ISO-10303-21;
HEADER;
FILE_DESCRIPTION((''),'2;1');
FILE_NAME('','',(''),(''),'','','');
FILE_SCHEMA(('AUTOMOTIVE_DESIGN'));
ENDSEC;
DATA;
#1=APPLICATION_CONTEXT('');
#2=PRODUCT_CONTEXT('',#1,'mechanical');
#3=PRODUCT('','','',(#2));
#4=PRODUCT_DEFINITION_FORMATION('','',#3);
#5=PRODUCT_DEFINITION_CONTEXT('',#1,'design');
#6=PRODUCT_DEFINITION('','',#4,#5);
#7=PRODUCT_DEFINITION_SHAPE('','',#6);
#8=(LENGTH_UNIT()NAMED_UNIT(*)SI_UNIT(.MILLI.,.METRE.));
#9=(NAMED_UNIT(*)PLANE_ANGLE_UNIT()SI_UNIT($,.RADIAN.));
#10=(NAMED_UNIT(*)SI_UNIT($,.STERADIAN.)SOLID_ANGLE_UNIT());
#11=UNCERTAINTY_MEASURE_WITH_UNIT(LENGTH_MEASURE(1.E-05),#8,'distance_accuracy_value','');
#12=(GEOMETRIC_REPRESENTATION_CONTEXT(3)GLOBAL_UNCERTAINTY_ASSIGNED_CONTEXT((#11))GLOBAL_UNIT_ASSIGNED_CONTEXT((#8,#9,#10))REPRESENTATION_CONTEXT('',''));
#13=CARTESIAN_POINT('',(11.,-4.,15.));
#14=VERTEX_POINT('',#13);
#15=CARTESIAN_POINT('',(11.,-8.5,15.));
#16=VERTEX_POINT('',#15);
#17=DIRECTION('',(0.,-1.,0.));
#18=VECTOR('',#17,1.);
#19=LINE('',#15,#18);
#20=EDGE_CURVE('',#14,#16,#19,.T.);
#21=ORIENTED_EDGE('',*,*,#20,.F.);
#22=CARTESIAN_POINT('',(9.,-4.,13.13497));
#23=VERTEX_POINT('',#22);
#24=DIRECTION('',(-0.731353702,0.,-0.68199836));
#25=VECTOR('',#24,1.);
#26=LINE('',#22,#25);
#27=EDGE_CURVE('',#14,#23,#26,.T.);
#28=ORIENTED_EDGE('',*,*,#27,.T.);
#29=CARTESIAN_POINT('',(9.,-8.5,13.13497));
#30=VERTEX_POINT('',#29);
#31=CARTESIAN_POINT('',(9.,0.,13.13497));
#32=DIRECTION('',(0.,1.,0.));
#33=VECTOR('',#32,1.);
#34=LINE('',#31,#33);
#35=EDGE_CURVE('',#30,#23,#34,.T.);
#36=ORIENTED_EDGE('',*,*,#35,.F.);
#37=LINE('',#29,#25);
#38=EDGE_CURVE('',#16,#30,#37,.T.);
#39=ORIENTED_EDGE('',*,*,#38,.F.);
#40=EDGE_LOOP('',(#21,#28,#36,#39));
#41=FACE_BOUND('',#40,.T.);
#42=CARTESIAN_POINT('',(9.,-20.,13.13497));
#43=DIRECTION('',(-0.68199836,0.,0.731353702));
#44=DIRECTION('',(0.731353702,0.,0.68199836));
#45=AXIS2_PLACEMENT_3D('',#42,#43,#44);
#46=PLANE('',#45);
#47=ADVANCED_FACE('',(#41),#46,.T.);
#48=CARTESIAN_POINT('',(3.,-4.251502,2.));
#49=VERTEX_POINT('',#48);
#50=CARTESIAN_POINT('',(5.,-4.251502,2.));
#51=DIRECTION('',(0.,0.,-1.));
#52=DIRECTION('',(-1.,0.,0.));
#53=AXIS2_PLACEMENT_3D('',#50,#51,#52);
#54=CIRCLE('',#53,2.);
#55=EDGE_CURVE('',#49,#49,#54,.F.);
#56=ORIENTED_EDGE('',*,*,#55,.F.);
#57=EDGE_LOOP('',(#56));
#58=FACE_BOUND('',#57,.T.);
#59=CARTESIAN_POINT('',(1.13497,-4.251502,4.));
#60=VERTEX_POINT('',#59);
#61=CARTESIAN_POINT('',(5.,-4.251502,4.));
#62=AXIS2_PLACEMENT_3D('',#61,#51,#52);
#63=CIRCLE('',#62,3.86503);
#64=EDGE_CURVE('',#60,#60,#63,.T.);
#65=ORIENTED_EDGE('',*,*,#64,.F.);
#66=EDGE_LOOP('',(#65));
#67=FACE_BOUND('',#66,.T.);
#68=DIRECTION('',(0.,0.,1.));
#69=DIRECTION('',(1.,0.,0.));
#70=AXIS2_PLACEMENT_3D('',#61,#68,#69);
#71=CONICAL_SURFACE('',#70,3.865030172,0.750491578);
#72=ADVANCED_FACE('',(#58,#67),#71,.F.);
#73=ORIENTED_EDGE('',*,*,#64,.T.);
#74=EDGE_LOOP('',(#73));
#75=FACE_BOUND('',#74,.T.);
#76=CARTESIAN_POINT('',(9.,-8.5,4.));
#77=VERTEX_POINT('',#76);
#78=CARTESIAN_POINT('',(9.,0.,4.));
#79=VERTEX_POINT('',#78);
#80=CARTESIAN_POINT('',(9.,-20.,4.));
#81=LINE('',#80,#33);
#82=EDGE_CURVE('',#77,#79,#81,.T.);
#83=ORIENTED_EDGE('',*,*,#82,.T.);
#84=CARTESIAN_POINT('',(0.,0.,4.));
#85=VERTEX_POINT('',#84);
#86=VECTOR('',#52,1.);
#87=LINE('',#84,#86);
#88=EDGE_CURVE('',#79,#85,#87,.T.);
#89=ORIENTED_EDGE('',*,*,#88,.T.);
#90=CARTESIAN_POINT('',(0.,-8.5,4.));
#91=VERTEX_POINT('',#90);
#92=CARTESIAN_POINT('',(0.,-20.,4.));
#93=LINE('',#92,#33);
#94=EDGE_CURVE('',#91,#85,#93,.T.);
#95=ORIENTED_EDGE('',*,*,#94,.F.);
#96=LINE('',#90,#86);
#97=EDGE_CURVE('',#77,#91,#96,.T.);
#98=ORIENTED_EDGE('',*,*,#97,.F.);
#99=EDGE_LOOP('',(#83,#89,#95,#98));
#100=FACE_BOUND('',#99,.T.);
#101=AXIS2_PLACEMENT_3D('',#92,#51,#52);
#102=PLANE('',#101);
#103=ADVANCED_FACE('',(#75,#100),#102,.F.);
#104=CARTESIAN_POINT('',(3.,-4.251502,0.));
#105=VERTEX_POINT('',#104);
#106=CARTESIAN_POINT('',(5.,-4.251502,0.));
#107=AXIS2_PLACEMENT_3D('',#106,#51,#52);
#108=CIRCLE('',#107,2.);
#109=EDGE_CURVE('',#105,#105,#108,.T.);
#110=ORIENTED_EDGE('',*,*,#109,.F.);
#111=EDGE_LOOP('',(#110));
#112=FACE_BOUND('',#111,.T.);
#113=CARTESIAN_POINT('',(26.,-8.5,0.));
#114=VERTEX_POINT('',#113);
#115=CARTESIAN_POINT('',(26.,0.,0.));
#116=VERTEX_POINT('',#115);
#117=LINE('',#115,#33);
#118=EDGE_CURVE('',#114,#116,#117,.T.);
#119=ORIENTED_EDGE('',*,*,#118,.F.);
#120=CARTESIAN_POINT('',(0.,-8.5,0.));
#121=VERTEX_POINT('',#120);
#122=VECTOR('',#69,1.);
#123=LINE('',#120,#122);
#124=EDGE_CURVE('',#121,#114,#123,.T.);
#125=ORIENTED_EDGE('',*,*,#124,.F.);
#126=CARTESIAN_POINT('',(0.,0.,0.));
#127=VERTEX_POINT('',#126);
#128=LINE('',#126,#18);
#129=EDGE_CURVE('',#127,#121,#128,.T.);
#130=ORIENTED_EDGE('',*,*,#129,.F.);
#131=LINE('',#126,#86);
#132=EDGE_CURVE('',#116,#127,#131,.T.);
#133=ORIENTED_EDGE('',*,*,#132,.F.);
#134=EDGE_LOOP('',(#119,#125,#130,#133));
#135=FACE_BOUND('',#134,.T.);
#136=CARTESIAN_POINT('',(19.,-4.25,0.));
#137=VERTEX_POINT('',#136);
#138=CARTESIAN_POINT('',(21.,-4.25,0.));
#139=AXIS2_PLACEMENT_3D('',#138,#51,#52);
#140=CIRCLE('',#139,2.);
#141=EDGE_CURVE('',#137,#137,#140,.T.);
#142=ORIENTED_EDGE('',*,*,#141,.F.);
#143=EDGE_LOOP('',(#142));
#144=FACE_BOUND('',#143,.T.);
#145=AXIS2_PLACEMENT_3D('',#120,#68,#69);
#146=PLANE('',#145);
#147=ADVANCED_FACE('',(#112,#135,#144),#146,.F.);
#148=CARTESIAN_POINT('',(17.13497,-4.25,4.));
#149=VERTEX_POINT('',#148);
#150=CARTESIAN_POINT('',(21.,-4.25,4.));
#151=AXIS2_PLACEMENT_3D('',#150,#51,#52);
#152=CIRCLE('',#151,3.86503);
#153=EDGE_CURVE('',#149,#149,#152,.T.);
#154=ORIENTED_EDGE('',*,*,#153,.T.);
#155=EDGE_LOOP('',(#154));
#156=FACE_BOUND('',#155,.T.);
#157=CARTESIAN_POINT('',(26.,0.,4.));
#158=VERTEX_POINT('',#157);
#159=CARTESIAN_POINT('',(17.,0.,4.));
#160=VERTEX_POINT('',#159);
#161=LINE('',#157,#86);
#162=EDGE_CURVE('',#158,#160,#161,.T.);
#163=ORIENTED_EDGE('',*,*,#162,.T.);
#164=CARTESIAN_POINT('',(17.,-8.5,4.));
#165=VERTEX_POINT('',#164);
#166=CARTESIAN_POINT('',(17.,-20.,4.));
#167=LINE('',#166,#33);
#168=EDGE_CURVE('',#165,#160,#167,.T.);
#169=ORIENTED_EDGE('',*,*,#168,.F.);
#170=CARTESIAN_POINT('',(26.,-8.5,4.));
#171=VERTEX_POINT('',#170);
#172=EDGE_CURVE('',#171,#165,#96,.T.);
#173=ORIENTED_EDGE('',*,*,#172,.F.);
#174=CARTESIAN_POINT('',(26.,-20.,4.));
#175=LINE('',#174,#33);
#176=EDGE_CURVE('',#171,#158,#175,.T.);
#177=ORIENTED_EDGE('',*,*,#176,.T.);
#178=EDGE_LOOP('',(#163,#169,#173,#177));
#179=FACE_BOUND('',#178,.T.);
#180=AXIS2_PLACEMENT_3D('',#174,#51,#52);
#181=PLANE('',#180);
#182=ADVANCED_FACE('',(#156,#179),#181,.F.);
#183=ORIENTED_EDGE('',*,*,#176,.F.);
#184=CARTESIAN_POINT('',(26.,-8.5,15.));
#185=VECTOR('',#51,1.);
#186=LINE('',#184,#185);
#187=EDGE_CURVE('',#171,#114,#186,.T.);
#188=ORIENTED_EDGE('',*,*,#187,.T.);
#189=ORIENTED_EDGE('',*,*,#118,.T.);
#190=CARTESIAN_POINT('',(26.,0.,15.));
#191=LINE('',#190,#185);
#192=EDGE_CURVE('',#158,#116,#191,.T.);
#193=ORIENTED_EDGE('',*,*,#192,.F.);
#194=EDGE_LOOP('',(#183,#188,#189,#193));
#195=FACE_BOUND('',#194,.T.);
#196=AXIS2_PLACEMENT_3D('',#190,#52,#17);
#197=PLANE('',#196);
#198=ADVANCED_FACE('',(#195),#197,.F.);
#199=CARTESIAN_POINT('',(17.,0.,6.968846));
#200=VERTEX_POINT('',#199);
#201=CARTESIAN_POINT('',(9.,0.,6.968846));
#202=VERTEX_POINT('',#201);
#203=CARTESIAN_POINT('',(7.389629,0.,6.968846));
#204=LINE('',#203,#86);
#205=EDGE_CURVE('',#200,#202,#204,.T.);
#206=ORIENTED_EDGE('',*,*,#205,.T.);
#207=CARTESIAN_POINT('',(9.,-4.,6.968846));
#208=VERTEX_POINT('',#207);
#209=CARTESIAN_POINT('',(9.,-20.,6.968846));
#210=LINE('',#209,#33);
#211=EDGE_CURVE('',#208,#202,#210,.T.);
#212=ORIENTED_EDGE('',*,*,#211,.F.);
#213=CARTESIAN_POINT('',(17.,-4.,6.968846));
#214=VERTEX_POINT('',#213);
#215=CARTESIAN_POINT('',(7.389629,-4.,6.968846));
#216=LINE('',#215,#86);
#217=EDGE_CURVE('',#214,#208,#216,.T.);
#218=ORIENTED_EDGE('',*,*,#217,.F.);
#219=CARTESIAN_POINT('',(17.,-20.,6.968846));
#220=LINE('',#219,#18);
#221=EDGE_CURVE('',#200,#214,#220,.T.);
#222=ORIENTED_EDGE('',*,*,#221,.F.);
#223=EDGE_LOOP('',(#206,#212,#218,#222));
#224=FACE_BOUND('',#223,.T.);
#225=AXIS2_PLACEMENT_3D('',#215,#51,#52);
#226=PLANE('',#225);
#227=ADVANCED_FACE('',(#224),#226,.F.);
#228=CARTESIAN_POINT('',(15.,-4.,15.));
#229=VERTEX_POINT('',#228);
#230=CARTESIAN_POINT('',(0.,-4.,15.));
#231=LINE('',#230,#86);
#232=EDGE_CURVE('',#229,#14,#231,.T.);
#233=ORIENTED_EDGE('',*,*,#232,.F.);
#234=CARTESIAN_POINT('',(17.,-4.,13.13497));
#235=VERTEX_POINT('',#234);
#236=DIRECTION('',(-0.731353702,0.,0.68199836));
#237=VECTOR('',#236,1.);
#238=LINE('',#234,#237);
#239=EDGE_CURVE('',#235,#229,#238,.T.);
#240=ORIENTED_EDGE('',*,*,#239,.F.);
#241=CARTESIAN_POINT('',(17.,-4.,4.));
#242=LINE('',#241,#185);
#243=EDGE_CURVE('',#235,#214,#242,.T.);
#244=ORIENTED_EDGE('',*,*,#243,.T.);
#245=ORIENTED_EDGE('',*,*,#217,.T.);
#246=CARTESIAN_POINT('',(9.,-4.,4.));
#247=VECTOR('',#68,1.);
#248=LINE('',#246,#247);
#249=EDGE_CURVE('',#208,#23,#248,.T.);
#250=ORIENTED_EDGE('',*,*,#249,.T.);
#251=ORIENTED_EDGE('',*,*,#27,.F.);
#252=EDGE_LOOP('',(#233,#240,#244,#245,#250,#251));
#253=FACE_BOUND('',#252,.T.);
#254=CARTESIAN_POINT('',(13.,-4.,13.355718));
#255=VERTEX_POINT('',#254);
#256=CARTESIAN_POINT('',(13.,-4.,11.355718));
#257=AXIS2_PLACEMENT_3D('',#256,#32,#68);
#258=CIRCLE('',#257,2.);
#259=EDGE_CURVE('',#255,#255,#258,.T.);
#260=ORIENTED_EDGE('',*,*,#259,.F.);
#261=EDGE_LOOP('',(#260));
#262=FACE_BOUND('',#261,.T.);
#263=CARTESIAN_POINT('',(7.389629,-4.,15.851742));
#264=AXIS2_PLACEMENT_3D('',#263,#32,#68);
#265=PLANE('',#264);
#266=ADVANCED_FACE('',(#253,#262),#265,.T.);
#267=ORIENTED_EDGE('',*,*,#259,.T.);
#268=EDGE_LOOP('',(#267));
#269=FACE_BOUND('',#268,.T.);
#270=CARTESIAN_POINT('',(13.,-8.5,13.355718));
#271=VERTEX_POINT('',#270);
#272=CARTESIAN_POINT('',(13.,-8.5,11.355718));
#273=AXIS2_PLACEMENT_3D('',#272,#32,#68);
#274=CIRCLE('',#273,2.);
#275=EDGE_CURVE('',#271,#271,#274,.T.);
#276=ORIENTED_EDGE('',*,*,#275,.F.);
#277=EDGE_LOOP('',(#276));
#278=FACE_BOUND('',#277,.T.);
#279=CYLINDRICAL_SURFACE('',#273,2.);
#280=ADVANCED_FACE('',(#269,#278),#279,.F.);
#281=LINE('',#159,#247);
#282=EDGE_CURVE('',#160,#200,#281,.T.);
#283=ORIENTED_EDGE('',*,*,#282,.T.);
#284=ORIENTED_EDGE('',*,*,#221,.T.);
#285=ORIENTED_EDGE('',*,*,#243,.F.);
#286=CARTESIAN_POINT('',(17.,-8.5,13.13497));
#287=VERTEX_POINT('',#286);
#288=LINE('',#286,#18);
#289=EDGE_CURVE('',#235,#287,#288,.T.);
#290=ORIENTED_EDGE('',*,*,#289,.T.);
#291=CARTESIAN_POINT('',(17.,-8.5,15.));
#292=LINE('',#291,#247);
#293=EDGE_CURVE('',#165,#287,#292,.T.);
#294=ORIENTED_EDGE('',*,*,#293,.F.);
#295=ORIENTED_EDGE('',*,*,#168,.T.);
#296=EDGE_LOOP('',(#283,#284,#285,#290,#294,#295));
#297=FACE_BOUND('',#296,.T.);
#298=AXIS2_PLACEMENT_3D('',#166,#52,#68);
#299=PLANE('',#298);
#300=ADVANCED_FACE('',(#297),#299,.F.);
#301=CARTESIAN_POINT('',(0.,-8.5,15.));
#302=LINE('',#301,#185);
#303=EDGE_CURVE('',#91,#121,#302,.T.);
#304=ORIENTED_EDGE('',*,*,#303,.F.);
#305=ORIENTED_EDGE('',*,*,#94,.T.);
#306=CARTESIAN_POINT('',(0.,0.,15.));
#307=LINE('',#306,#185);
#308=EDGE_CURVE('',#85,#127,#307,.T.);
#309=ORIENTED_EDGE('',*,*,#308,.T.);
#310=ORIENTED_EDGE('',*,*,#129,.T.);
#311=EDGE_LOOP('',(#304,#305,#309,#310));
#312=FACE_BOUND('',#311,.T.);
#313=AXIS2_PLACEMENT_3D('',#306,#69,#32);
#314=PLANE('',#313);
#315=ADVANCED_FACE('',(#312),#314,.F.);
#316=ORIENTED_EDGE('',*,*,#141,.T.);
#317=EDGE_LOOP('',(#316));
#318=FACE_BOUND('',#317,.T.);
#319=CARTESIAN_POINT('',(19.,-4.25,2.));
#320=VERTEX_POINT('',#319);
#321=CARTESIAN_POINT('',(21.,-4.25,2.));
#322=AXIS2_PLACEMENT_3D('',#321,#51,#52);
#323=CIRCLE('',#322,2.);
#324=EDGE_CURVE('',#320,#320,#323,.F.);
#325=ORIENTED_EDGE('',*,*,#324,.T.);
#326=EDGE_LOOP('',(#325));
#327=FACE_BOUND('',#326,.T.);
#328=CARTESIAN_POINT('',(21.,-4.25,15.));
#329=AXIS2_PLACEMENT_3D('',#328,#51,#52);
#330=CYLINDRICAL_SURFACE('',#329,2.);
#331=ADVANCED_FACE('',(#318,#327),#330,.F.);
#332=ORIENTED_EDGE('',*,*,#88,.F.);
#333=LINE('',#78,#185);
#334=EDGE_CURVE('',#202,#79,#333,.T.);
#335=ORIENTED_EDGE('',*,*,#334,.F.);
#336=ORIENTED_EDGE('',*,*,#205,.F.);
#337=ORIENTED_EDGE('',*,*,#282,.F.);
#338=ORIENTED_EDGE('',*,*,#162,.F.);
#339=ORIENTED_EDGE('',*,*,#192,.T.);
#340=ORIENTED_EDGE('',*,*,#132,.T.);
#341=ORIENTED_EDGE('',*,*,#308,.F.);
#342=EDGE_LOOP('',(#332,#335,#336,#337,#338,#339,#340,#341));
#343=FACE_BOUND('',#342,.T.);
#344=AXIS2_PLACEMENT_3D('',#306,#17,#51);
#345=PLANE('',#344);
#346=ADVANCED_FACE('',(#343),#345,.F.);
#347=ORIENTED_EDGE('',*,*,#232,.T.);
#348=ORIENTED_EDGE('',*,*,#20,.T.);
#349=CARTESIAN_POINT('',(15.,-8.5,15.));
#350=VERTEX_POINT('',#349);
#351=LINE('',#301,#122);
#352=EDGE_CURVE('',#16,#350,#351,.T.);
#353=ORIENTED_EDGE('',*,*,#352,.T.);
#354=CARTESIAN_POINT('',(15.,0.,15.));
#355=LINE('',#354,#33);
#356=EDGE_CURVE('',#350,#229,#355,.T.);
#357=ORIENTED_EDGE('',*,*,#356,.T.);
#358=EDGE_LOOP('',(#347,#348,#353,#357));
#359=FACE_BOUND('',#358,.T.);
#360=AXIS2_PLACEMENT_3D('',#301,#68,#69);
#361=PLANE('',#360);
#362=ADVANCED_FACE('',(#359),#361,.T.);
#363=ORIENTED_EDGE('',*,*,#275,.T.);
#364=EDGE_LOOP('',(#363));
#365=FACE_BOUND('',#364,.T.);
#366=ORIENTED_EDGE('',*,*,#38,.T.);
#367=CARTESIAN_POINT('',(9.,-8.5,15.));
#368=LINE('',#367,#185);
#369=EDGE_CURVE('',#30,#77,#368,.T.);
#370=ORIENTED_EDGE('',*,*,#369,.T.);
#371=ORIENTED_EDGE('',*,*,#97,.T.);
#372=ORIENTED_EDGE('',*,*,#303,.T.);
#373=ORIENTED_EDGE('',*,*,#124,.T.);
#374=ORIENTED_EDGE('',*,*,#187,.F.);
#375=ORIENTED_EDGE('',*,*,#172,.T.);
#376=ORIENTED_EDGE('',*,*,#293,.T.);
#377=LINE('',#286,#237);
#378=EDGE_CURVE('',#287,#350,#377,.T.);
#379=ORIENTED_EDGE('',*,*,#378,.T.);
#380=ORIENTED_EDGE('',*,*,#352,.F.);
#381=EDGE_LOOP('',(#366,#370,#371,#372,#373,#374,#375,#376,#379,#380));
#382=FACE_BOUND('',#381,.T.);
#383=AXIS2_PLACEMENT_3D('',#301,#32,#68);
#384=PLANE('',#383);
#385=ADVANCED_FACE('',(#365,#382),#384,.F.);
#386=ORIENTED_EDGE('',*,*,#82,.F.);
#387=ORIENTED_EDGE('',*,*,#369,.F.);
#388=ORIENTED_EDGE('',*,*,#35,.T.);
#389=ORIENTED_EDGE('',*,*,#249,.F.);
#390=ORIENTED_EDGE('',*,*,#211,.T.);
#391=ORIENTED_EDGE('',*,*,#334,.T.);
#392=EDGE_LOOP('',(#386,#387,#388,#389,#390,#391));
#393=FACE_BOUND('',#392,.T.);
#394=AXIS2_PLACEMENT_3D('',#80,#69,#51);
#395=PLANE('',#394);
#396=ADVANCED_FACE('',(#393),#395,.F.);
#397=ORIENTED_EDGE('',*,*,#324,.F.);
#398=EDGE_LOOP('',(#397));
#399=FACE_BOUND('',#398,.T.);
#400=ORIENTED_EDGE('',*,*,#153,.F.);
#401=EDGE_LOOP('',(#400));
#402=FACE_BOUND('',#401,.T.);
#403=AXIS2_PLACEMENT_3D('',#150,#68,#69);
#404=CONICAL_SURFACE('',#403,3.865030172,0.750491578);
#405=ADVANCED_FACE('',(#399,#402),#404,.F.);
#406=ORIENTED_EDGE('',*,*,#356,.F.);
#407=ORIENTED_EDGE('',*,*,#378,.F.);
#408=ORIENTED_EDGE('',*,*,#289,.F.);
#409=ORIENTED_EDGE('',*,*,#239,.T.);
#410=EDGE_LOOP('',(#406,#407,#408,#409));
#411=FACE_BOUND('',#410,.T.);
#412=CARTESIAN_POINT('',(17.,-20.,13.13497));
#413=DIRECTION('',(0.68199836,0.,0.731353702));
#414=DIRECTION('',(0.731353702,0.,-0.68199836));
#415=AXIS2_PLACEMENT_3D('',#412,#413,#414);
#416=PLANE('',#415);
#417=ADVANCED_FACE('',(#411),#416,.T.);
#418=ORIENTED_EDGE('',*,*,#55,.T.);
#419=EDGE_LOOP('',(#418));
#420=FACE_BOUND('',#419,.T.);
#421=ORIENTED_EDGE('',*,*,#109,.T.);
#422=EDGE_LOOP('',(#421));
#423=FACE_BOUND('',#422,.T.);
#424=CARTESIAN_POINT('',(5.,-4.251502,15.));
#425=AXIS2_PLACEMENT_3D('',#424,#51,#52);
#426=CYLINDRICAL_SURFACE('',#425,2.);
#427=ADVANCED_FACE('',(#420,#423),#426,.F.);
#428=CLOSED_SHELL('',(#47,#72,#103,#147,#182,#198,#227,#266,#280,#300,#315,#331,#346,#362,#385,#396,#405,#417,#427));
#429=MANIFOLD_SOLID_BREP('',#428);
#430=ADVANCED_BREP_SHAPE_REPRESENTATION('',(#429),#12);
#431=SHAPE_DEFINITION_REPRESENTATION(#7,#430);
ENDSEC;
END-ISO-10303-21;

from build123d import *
from OCP.BRepFilletAPI import BRepFilletAPI_MakeChamfer

# Parameters (mm, degrees)
SKETCH_1_W            = 26
SKETCH_1_H            = 8.5
EXTRUDE_1_DEPTH       = 15
SKETCH_2_W            = 9
SKETCH_2_H            = 17.151512959
CUT_EXTRUDE_2_DEPTH   = 20
CHAMFER_1_SIZE        = 2
CHAMFER_1_SIZE2       = 1.865030172
SKETCH_3_R            = 2
CUT_EXTRUDE_1_DEPTH   = 32.19695498
CHAMFER_2_SIZE        = 2
CHAMFER_2_SIZE2       = 1.865030172
SKETCH_4_W            = 11.3471837
SKETCH_4_H            = 8.882896331
CUT_EXTRUDE_2_2_DEPTH = 4
SKETCH_5_R            = 2
CUT_EXTRUDE_3_DEPTH   = 31.352100422


with BuildPart() as part:
    # Эскиз1 → Вытянуть1 (new body)
    with BuildSketch(Plane.XY):
        with Locations((13, -4.25)):
            Rectangle(SKETCH_1_W, SKETCH_1_H)
    extrude(amount=EXTRUDE_1_DEPTH)

    # Эскиз2 → Cut-Extrude 2 (cut)
    with BuildSketch(Plane(origin=(0, 0, 0), x_dir=(1, 0, 0), z_dir=(0, 1, 0))):
        with Locations((4.5, -12.57575648)):
            Rectangle(SKETCH_2_W, SKETCH_2_H)
        with Locations((21.5, -12.57575648)):
            Rectangle(SKETCH_2_W, SKETCH_2_H)
    extrude(amount=-CUT_EXTRUDE_2_DEPTH, mode=Mode.SUBTRACT)

    # Фаска1
    chamfer_1_edges = [part.edges().sort_by_distance(p)[0] for p in [
        (9, -4.25, 15),
        (17, -4.25, 15),
    ]]
    chamfer_1_side = [part.faces().sort_by_distance(p)[0] for p in [
        (13, -4.25, 15),
    ]]
    chamfer(chamfer_1_edges, length=CHAMFER_1_SIZE, length2=CHAMFER_1_SIZE2, reference=chamfer_1_side[0])

    # Эскиз3 → Вырез-Вытянуть1 (cut, through all)
    with BuildSketch(Plane(origin=(0, 0, 0), x_dir=(-1, 0, 0), z_dir=(0, 0, -1))):
        with Locations((-21, -4.250000001)):
            Circle(SKETCH_3_R)
        with Locations((-5, -4.251501777)):
            Circle(SKETCH_3_R)
    extrude(amount=-CUT_EXTRUDE_1_DEPTH, mode=Mode.SUBTRACT)

    # Фаска2: one chamfer whose edges measure the first distance from different faces: ONE call of the kernel's chamfer builder (chamfer() names one face for all edges)
    chamfer_2_edges_1 = [part.edges().sort_by_distance(p)[0] for p in [
        (23, -4.250000001, 4),
    ]]
    chamfer_2_side_1 = [part.faces().sort_by_distance(p)[0] for p in [
        (23, -4.250000001, 2),
    ]]
    chamfer_2_edges_2 = [part.edges().sort_by_distance(p)[0] for p in [
        (7, -4.251501777, 4),
    ]]
    chamfer_2_side_2 = [part.faces().sort_by_distance(p)[0] for p in [
        (7, -4.251501777, 2),
    ]]
    chamfer_2 = BRepFilletAPI_MakeChamfer(part.part.solid().wrapped)
    for e in chamfer_2_edges_1:
        chamfer_2.Add(CHAMFER_2_SIZE, CHAMFER_2_SIZE2, e.wrapped, chamfer_2_side_1[0].wrapped)  # the first distance lies on this face
    for e in chamfer_2_edges_2:
        chamfer_2.Add(CHAMFER_2_SIZE, CHAMFER_2_SIZE2, e.wrapped, chamfer_2_side_2[0].wrapped)  # the first distance lies on this face
    add(Compound.cast(chamfer_2.Shape()), mode=Mode.REPLACE)

    # Эскиз4 → Cut-Extrude 2 2 (cut)
    with BuildSketch(Plane(origin=(0, 0, 0), x_dir=(1, 0, 0), z_dir=(0, 1, 0))):
        with Locations((13.06322118, -11.410294164)):
            Rectangle(SKETCH_4_W, SKETCH_4_H)
    extrude(amount=-CUT_EXTRUDE_2_2_DEPTH, mode=Mode.SUBTRACT)

    # Эскиз5 → Вырез-Вытянуть3 (cut, through all)
    with BuildSketch(Plane(origin=(0, -4, 0), x_dir=(1, 0, 0), z_dir=(0, 1, 0))):
        with Locations(Location((13, -11.355717768, 0), (0, 0, 270))):
            Circle(SKETCH_5_R)
    extrude(amount=-CUT_EXTRUDE_3_DEPTH, mode=Mode.SUBTRACT)


solid = part.part
